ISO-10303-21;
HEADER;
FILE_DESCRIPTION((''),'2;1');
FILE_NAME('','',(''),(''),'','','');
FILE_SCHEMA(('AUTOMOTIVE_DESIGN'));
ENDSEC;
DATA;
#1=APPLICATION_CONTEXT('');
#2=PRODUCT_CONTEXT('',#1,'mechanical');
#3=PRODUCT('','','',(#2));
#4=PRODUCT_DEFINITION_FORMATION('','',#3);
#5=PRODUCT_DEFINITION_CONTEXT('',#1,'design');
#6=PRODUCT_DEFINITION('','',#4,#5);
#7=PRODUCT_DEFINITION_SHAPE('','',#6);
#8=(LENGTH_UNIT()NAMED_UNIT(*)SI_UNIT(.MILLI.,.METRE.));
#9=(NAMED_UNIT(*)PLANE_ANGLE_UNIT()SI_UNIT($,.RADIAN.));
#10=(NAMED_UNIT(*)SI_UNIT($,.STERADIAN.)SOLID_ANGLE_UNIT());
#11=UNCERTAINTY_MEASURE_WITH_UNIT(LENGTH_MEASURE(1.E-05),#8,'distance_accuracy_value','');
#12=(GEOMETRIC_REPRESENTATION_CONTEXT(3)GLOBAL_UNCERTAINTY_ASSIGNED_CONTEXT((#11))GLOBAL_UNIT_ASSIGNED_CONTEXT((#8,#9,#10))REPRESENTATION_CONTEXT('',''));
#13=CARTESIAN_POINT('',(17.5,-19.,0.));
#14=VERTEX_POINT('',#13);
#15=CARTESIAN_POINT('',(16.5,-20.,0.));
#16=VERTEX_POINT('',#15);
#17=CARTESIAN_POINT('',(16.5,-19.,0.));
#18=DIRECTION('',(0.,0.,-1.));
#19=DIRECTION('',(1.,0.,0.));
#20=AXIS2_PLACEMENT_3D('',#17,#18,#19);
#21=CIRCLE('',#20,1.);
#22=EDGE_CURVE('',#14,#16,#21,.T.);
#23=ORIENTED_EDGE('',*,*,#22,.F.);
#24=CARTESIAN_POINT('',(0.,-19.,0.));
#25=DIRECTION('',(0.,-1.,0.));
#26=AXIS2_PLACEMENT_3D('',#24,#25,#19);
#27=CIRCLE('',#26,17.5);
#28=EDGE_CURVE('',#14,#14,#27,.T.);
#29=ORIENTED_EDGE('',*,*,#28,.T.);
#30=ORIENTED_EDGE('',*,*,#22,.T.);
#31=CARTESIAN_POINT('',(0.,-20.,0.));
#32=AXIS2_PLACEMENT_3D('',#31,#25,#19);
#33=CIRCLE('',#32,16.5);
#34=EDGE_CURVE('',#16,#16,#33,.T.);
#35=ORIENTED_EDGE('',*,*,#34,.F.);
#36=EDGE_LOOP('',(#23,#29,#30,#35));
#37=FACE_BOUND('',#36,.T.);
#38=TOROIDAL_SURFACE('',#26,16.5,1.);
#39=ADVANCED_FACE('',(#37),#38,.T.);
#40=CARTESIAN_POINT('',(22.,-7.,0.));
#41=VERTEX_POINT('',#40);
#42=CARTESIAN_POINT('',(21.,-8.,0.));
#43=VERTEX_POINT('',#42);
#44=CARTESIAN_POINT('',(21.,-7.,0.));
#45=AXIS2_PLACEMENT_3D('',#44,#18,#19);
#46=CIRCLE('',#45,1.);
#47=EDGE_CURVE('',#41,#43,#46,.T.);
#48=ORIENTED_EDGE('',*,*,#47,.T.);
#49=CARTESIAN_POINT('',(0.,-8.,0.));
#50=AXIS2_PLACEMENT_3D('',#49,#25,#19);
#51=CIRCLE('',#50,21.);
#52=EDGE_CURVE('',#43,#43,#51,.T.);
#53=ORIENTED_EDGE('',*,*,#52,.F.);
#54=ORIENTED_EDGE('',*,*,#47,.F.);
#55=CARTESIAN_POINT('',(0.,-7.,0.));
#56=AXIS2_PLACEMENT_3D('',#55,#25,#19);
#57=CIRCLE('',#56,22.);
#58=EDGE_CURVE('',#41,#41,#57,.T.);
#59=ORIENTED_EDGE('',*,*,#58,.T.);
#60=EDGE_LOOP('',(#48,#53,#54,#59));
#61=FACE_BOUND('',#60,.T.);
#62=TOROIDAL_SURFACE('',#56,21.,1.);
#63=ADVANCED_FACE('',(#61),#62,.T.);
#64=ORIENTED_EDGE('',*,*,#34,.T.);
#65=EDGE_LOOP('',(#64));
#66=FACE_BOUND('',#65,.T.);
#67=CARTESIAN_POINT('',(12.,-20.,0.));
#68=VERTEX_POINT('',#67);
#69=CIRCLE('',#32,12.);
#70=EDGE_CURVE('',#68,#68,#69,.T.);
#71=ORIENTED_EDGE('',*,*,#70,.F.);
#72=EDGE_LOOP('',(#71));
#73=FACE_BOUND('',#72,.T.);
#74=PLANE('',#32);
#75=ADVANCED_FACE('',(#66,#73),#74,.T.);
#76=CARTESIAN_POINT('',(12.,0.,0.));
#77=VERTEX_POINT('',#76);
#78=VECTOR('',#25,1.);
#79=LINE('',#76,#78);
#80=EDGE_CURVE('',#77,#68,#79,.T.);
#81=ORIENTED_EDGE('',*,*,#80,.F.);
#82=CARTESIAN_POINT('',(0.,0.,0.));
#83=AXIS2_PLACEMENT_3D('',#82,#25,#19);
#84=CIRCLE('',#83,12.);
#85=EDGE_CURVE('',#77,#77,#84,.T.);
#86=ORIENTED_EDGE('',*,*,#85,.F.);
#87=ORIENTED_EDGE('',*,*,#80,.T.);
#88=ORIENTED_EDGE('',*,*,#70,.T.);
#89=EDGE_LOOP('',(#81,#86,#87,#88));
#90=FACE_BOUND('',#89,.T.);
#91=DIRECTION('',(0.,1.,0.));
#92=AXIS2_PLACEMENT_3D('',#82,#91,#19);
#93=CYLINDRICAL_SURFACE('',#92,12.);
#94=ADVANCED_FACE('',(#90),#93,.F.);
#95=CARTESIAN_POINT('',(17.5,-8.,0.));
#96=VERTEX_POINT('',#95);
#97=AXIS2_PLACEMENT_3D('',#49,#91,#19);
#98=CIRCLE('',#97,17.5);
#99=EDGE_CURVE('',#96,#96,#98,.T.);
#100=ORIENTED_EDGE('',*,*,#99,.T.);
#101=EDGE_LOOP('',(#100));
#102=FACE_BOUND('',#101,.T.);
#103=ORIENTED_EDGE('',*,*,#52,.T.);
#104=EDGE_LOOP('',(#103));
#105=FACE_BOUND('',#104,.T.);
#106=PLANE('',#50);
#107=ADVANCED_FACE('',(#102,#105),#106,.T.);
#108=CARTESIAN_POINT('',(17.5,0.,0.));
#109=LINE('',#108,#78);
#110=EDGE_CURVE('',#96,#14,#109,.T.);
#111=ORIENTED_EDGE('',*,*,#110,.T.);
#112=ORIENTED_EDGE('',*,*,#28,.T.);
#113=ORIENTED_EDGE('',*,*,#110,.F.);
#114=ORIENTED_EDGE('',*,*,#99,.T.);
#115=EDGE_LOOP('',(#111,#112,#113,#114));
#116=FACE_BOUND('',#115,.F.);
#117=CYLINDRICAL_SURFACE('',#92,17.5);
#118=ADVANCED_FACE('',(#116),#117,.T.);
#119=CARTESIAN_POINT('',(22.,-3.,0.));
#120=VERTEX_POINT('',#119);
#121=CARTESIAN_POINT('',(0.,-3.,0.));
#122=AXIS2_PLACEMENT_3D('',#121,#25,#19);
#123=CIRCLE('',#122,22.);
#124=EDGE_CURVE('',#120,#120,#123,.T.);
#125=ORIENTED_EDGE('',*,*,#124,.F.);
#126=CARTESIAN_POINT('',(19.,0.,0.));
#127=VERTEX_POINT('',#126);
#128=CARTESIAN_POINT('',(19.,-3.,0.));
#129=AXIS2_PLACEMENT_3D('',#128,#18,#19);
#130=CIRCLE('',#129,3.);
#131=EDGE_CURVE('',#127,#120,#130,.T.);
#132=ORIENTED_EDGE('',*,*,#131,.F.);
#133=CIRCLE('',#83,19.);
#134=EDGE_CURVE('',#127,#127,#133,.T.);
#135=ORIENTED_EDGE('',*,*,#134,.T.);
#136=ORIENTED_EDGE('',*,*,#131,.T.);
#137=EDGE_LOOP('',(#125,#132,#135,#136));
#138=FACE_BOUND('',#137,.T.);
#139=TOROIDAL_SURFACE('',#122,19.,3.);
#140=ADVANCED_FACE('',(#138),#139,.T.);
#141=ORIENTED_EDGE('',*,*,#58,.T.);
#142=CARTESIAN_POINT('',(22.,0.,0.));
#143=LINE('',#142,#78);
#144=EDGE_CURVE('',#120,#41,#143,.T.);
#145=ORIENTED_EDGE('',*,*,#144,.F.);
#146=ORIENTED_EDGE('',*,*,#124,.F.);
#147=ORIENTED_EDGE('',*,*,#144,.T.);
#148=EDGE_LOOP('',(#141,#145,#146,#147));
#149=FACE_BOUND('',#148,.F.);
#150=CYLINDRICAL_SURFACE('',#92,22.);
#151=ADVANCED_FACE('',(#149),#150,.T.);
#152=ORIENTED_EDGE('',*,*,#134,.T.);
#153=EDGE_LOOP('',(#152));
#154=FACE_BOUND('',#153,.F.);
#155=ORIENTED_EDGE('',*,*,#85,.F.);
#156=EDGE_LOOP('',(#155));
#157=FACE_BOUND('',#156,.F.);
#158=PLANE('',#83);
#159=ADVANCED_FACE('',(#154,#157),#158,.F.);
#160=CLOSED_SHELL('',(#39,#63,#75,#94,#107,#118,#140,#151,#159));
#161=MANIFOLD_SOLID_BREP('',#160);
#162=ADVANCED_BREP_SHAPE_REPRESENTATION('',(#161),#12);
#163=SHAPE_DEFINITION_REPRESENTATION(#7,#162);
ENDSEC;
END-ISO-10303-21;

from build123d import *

# Parameters (mm, degrees)
F0_R     = 22
F0_R_2   = 17.5
F0_R_3   = 12
F1_DEPTH = 8
F2_DEPTH = 20
F3_R     = 3
F4_R     = 1
F5_R     = 1


with BuildPart() as f1:
    # F0 (on Front) → F1 (new body)
    with BuildSketch(Plane.XZ):
        Circle(F0_R)
        Circle(F0_R_2, mode=Mode.SUBTRACT)
        Circle(F0_R_2)
        Circle(F0_R_3, mode=Mode.SUBTRACT)
    extrude(amount=F1_DEPTH)

    # F0 (on Front) → F2 (join)
    with BuildSketch(Plane.XZ):
        Circle(F0_R_2)
        Circle(F0_R_3, mode=Mode.SUBTRACT)
    extrude(amount=F2_DEPTH)

    # F3
    f3_edges = [f1.edges().sort_by_distance(p)[0] for p in [
        (-22, 0, 0),
    ]]
    fillet(f3_edges, radius=F3_R)

    # F4
    f4_edges = [f1.edges().sort_by_distance(p)[0] for p in [
        (-22, -8, 0),
    ]]
    fillet(f4_edges, radius=F4_R)

    # F5
    f5_edges = [f1.edges().sort_by_distance(p)[0] for p in [
        (-17.5, -20, 0),
    ]]
    fillet(f5_edges, radius=F5_R)


solid = f1.part
